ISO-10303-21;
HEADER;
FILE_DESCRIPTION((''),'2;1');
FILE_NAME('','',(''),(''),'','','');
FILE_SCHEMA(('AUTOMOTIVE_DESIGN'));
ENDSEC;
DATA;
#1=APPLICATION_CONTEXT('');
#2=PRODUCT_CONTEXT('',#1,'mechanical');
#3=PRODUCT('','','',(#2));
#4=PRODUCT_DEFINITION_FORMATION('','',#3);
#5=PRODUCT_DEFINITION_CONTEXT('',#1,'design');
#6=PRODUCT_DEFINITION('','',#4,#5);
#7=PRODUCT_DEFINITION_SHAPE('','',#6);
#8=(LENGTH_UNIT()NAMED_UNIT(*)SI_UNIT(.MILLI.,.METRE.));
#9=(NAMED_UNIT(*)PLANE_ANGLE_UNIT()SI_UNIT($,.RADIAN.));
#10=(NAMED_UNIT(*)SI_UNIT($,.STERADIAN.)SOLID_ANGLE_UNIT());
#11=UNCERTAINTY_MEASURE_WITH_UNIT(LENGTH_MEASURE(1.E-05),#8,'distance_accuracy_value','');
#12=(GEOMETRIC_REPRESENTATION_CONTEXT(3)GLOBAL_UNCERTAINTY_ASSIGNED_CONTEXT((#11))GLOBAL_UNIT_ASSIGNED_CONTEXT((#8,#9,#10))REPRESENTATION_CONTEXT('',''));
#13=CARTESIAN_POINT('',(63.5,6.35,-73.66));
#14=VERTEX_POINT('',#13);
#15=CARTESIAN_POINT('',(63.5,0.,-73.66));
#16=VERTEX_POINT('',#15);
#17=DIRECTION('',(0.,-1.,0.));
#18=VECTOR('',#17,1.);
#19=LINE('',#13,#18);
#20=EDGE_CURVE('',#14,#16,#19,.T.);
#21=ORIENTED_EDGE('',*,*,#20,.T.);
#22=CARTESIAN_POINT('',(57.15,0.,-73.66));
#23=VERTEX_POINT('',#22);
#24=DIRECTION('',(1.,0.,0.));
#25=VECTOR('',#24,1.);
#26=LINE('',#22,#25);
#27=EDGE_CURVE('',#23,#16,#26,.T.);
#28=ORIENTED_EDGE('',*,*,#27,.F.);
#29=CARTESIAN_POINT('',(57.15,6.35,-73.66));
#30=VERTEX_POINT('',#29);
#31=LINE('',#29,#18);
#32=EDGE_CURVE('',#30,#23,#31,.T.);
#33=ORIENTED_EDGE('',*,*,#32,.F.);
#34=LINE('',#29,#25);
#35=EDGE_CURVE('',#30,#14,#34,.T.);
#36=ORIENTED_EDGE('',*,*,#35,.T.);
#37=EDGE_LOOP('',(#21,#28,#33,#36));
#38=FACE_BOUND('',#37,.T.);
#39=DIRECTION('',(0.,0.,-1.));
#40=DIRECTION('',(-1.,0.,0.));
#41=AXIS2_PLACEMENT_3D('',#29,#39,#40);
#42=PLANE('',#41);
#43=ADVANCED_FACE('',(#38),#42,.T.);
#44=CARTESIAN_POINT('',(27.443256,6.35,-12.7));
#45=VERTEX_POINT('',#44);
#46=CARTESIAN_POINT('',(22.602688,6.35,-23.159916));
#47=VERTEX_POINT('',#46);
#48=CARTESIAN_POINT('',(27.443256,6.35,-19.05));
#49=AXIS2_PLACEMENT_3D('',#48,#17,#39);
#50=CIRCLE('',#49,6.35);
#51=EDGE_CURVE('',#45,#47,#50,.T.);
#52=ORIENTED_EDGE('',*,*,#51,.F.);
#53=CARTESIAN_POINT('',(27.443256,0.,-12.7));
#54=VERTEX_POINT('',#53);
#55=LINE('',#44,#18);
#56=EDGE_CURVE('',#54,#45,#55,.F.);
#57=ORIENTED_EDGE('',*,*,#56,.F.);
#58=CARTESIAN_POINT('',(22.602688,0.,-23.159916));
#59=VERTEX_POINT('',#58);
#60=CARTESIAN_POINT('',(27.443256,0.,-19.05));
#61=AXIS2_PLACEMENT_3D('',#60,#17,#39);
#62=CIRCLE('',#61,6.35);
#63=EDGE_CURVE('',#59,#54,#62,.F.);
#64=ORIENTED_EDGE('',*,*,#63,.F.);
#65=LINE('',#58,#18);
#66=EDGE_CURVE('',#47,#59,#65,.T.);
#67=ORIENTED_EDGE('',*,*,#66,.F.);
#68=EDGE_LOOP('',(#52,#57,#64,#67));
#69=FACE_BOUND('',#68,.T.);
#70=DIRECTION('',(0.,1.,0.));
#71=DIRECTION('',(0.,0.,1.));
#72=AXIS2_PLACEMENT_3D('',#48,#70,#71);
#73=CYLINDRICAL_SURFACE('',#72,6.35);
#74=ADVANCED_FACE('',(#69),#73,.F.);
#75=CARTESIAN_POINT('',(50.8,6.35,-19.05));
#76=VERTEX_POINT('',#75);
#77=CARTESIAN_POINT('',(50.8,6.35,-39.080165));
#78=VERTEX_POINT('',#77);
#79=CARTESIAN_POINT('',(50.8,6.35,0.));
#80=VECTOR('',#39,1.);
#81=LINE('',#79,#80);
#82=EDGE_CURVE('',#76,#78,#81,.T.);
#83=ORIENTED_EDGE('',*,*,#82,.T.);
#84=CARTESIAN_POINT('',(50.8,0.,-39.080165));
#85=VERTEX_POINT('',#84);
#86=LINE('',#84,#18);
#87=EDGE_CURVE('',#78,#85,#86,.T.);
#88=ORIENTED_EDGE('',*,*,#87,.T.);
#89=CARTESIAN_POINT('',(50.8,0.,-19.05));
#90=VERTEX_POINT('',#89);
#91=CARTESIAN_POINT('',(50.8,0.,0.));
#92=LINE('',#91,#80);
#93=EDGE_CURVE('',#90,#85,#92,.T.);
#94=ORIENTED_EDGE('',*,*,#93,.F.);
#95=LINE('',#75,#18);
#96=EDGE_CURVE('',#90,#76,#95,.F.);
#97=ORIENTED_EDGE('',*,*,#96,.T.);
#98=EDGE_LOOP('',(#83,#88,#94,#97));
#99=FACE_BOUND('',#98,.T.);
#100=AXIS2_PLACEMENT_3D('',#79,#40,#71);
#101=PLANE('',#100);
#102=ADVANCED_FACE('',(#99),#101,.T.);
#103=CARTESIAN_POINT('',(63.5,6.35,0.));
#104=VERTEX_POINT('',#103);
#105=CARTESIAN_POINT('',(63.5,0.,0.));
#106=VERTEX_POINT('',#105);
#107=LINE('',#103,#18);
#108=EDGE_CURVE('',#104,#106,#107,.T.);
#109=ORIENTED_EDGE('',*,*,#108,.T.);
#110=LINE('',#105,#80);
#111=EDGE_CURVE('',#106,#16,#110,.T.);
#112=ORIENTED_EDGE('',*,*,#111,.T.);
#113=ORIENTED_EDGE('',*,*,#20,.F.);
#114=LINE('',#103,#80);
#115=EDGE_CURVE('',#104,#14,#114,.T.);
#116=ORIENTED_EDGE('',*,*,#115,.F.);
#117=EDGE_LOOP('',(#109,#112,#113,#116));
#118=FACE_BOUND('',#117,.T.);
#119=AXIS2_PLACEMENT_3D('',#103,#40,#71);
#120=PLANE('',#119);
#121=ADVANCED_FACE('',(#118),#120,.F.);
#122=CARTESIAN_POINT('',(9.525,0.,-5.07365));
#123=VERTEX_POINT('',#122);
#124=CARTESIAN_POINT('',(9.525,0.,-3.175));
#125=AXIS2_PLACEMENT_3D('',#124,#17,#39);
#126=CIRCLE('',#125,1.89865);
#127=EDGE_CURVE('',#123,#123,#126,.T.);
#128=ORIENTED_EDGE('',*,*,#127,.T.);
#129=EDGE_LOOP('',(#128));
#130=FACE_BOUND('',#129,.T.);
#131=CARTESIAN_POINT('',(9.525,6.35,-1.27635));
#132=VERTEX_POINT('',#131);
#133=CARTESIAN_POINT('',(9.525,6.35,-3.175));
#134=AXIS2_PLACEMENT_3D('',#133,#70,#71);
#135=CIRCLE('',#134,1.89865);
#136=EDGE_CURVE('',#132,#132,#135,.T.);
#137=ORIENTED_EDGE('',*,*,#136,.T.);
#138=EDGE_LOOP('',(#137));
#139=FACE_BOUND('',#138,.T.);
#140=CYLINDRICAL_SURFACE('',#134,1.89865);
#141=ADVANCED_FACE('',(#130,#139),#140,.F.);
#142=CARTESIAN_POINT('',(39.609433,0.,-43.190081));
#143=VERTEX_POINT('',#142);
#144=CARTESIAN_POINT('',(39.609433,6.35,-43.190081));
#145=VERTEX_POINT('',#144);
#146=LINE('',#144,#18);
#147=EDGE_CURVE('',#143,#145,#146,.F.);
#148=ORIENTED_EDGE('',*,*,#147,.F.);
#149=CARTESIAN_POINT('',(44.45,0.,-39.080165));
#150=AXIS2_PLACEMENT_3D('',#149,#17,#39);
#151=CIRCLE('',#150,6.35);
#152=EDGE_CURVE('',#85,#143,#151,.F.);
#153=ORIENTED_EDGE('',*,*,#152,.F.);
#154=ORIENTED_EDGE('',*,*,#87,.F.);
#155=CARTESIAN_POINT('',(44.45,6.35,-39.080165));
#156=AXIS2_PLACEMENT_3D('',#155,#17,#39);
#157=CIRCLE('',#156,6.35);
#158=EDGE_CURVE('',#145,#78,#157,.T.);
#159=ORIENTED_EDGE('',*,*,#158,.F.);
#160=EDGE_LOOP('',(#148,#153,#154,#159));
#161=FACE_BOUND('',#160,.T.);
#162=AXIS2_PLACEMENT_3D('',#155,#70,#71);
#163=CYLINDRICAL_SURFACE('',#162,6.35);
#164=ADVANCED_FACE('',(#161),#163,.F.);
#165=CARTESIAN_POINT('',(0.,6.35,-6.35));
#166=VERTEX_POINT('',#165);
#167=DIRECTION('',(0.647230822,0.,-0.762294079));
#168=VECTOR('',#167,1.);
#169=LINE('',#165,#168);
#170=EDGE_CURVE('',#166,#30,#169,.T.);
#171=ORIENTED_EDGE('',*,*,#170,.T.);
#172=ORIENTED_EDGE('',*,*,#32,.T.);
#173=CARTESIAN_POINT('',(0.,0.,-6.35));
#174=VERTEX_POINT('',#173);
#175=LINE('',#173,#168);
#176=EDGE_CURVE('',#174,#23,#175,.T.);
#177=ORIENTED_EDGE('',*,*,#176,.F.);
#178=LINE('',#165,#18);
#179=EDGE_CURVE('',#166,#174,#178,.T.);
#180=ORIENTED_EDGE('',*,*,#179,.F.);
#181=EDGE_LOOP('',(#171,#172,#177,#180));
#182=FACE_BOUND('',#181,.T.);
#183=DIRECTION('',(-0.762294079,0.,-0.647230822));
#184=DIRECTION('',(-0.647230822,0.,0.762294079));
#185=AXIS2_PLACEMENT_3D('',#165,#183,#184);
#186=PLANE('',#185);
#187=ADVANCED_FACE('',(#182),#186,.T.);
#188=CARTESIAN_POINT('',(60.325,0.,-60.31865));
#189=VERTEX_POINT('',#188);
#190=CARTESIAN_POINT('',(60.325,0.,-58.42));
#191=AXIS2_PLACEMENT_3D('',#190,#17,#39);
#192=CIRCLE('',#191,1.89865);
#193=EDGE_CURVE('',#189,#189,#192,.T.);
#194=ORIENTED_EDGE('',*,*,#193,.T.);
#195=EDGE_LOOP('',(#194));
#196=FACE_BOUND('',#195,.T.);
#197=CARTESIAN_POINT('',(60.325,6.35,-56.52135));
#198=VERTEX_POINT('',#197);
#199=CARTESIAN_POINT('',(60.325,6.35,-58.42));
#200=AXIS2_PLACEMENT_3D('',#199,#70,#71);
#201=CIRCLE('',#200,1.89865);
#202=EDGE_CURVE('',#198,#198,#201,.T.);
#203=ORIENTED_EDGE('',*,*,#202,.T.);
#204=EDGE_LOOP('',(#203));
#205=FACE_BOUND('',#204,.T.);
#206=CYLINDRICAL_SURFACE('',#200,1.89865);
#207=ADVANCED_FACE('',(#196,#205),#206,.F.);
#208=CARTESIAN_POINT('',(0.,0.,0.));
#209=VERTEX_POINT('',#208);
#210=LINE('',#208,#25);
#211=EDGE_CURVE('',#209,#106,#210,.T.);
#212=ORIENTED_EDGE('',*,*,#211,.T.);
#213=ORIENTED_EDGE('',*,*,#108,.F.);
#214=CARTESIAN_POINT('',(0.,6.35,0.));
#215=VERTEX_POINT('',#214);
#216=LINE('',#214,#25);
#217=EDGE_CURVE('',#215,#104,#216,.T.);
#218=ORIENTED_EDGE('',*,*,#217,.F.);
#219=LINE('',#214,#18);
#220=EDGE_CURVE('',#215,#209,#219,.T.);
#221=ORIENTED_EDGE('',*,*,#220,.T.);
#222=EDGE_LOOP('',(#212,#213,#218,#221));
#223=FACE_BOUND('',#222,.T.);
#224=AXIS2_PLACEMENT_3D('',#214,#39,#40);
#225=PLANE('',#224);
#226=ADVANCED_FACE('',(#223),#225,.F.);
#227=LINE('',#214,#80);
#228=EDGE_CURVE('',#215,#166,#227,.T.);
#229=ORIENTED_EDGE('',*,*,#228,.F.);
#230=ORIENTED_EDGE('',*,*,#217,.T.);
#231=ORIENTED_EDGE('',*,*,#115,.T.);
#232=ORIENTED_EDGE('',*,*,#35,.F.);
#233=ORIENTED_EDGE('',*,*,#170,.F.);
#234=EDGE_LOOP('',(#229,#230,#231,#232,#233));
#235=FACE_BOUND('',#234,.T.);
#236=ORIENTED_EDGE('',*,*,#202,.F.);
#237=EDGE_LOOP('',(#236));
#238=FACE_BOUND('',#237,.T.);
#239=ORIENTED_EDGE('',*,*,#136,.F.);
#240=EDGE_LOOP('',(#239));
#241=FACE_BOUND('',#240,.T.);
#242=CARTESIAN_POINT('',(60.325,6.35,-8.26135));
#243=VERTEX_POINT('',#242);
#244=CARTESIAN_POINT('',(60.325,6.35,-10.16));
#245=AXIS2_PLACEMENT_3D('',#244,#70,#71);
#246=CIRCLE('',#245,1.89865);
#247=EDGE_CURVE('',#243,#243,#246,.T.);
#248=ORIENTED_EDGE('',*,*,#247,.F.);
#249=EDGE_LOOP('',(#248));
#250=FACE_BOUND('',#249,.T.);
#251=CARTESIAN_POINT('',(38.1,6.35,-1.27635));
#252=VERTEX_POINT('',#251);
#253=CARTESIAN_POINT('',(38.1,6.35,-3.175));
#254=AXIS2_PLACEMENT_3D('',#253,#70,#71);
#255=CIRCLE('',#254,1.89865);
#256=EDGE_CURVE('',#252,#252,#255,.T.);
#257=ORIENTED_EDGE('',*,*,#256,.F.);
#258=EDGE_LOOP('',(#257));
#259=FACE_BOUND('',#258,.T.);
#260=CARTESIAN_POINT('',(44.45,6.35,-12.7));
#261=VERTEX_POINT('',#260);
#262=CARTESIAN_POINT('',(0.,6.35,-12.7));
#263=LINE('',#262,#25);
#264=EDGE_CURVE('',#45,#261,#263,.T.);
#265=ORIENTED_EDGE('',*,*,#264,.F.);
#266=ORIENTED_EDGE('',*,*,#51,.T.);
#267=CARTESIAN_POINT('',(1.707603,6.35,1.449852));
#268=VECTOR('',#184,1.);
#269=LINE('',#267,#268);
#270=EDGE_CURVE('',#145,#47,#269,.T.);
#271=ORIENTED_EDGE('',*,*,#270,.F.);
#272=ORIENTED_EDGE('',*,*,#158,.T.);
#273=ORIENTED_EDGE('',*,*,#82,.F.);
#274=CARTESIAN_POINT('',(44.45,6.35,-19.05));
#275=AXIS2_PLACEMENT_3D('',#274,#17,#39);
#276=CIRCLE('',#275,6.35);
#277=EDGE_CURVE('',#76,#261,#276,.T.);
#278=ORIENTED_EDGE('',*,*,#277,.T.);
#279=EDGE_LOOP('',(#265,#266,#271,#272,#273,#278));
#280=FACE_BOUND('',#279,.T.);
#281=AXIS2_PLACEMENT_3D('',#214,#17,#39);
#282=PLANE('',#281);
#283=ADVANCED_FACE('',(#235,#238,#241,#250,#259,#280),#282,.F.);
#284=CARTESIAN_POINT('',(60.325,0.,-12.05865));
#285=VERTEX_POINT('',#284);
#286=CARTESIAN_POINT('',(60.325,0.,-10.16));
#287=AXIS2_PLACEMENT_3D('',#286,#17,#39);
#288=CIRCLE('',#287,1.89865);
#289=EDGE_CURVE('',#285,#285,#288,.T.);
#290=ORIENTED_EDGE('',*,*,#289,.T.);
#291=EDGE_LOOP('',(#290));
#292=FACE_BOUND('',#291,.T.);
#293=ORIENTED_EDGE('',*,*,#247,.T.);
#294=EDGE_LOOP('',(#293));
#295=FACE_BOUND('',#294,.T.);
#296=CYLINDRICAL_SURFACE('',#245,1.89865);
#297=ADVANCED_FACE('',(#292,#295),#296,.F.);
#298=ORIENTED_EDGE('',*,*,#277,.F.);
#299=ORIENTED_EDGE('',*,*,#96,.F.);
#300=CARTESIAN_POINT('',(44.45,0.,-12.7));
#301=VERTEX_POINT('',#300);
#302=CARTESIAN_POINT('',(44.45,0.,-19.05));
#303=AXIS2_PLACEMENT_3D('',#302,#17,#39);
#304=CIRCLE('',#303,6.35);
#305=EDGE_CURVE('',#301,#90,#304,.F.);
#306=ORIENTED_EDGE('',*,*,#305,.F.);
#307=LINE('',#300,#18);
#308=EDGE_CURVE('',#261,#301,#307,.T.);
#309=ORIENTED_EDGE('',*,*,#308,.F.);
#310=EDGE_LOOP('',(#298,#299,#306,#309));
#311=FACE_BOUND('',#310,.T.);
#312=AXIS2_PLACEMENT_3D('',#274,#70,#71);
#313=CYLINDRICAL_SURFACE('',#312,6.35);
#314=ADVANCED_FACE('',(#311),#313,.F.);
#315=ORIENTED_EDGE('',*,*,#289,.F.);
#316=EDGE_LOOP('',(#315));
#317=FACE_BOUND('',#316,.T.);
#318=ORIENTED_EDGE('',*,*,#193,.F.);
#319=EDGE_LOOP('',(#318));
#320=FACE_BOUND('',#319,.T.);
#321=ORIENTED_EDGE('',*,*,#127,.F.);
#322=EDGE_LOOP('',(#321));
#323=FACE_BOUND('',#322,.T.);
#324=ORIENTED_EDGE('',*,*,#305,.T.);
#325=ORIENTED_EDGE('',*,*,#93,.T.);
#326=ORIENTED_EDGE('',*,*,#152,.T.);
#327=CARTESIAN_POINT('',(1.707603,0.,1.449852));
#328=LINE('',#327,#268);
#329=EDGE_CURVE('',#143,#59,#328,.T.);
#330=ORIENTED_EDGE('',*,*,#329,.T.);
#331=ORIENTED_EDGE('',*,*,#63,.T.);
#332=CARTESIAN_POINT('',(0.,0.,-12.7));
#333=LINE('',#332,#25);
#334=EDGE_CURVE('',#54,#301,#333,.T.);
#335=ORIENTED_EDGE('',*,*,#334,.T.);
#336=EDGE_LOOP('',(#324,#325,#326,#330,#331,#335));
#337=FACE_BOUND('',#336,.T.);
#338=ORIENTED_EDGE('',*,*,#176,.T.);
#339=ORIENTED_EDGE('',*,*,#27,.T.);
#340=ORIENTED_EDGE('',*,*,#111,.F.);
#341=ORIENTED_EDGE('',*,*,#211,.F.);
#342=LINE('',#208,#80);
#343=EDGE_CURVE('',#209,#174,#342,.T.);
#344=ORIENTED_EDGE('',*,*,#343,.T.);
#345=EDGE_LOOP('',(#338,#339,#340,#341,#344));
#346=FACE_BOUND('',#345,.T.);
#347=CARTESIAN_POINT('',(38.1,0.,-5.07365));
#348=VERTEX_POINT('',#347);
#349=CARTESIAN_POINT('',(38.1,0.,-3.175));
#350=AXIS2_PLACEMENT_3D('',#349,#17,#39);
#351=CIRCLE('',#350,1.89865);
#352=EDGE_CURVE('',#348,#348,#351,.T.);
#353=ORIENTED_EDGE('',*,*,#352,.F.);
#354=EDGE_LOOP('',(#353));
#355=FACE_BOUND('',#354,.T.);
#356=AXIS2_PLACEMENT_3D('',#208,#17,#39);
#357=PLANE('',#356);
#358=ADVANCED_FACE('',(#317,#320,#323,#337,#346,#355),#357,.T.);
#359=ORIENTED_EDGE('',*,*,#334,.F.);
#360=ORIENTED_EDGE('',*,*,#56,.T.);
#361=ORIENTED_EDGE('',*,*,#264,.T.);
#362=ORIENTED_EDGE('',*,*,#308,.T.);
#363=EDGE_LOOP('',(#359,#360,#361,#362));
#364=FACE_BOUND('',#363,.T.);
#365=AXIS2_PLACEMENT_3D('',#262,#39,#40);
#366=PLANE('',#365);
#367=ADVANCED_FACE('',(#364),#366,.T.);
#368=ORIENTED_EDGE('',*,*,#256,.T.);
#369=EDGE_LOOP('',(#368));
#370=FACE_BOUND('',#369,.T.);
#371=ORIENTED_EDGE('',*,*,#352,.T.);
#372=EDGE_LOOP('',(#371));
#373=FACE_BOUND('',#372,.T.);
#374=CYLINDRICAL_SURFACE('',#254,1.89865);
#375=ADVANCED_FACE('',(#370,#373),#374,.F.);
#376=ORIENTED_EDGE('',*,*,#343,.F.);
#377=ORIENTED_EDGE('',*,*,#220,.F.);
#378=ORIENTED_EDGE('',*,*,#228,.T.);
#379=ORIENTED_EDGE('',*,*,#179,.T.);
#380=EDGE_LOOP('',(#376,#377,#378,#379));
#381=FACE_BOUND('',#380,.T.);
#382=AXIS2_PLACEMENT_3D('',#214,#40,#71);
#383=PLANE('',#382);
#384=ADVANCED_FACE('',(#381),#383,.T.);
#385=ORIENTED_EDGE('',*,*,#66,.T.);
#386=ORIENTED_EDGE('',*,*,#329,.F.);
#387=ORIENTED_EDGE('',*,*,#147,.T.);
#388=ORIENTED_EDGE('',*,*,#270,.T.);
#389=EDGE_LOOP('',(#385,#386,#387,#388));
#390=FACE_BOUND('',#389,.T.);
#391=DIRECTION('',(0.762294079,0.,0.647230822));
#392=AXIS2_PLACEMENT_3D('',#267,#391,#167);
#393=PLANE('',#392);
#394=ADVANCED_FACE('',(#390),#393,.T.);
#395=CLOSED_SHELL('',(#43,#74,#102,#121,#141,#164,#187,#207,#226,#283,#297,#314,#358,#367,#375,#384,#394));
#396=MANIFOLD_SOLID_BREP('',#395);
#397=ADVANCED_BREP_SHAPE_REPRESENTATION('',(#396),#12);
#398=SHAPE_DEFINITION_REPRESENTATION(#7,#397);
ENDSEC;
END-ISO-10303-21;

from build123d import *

# Parameters (mm, degrees)
BOSS_EXTRUDE1_DEPTH       = 6.35
F_6_CLEARANCE_HOLE1_D     = 3.7973
F_6_CLEARANCE_HOLE1_DEPTH = 12.7
F_6_CLEARANCE_HOLE1_TIP   = 1.140824014
FILLET1_R                 = 6.35


with BuildPart() as part:
    # Sketch1 → Boss-Extrude1 (new body)
    with BuildSketch(Plane(origin=(0, 0, 0), x_dir=(1, 0, 0), z_dir=(0, 1, 0))):
        Polygon((0, 0), (63.5, 0), (63.5, 73.66), (57.15, 73.66), (0, 6.35), align=None)
        Polygon((13.721627919, 12.7), (50.8, 12.7), (50.8, 56.370082673), align=None, mode=Mode.SUBTRACT)
    extrude(amount=BOSS_EXTRUDE1_DEPTH)

    # #6 Clearance Hole1
    with Locations(Plane(origin=(0, 6.35, 0), x_dir=(1, 0, 0), z_dir=(0, 1, 0))):
        with Locations((9.525, 3.175), (38.1, 3.175), (60.325, 10.16), (60.325, 58.42)):
            Hole(F_6_CLEARANCE_HOLE1_D / 2, depth=F_6_CLEARANCE_HOLE1_DEPTH)
            with Locations((0, 0, -(F_6_CLEARANCE_HOLE1_DEPTH + F_6_CLEARANCE_HOLE1_TIP / 2))):  # 118° drill point
                Cone(0, F_6_CLEARANCE_HOLE1_D / 2, F_6_CLEARANCE_HOLE1_TIP, mode=Mode.SUBTRACT)

    # Fillet1
    fillet1_edges = [part.edges().sort_by_distance(p)[0] for p in [
        (50.8, 3.175, -12.7),
        (50.8, 3.175, -56.370082673),
        (13.721627919, 3.175, -12.7),
    ]]
    fillet(fillet1_edges, radius=FILLET1_R)


solid = part.part
